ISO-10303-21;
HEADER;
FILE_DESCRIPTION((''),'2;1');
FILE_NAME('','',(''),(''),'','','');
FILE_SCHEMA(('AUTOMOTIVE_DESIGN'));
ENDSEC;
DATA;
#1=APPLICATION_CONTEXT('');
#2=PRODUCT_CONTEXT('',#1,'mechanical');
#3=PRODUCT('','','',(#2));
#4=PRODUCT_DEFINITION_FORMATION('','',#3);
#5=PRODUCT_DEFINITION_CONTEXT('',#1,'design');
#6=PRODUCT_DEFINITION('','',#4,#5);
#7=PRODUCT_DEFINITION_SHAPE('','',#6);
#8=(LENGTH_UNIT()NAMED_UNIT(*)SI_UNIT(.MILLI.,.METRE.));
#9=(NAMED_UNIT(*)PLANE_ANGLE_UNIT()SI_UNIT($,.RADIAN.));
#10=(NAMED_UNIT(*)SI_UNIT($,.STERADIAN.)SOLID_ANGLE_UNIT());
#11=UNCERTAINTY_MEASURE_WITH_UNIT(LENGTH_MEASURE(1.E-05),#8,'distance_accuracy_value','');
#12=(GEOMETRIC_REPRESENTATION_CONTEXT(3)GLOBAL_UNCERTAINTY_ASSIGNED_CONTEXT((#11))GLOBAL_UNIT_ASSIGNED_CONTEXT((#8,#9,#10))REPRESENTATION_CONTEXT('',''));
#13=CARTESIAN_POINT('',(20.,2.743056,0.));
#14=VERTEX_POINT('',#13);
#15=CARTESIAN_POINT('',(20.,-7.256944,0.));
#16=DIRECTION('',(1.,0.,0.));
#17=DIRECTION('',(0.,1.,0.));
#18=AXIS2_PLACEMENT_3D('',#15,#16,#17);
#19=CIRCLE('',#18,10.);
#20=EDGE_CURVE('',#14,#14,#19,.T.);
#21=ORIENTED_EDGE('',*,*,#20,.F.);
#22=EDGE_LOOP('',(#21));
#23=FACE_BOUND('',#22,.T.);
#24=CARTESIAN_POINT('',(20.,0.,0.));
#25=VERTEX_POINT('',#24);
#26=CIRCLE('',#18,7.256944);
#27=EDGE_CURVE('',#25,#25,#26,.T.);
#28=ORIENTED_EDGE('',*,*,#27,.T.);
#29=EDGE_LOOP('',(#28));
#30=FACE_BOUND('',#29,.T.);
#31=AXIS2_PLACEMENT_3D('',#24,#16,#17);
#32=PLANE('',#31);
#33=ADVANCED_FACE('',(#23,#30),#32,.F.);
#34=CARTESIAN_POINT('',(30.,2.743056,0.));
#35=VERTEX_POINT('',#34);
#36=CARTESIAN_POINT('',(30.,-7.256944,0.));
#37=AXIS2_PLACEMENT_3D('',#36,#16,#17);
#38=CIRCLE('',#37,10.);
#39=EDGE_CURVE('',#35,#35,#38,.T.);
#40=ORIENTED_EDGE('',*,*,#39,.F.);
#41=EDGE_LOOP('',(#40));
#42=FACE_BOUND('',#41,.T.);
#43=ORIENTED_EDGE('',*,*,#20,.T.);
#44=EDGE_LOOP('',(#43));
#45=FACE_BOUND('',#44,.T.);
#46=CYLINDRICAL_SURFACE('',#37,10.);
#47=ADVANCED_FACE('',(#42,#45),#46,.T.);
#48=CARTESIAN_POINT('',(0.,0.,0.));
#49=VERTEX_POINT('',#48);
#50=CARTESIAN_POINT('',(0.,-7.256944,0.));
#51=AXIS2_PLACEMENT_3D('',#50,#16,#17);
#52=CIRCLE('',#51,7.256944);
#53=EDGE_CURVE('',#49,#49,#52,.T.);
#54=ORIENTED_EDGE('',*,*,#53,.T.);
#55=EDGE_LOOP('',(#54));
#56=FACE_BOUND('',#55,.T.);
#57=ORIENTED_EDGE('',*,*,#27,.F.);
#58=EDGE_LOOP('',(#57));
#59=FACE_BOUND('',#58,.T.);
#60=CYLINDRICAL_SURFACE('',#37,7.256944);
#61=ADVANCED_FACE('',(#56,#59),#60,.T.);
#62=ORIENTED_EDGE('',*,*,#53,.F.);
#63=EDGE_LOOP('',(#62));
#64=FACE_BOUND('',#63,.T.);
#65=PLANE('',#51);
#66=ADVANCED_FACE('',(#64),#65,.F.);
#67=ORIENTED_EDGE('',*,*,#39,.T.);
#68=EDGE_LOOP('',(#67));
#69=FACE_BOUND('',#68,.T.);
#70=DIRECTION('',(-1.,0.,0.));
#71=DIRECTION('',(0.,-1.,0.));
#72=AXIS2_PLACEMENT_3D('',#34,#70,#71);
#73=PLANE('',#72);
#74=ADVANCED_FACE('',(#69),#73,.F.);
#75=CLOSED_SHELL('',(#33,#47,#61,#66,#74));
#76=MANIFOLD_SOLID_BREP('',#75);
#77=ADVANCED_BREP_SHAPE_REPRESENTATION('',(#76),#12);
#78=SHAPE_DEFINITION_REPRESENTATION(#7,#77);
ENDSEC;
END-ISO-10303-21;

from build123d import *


with BuildPart() as part:
    # Sketch1 → Revolve1 (revolve)
    with BuildSketch(Plane.XY):
        Polygon((0, 0), (20, 0), (20, 2.74305604), (30, 2.74305604), (30, -7.25694396), (0, -7.25694396), align=None)
    revolve(axis=Axis((30, -7.25694396, 0), (-1, 0, 0)))


solid = part.part
